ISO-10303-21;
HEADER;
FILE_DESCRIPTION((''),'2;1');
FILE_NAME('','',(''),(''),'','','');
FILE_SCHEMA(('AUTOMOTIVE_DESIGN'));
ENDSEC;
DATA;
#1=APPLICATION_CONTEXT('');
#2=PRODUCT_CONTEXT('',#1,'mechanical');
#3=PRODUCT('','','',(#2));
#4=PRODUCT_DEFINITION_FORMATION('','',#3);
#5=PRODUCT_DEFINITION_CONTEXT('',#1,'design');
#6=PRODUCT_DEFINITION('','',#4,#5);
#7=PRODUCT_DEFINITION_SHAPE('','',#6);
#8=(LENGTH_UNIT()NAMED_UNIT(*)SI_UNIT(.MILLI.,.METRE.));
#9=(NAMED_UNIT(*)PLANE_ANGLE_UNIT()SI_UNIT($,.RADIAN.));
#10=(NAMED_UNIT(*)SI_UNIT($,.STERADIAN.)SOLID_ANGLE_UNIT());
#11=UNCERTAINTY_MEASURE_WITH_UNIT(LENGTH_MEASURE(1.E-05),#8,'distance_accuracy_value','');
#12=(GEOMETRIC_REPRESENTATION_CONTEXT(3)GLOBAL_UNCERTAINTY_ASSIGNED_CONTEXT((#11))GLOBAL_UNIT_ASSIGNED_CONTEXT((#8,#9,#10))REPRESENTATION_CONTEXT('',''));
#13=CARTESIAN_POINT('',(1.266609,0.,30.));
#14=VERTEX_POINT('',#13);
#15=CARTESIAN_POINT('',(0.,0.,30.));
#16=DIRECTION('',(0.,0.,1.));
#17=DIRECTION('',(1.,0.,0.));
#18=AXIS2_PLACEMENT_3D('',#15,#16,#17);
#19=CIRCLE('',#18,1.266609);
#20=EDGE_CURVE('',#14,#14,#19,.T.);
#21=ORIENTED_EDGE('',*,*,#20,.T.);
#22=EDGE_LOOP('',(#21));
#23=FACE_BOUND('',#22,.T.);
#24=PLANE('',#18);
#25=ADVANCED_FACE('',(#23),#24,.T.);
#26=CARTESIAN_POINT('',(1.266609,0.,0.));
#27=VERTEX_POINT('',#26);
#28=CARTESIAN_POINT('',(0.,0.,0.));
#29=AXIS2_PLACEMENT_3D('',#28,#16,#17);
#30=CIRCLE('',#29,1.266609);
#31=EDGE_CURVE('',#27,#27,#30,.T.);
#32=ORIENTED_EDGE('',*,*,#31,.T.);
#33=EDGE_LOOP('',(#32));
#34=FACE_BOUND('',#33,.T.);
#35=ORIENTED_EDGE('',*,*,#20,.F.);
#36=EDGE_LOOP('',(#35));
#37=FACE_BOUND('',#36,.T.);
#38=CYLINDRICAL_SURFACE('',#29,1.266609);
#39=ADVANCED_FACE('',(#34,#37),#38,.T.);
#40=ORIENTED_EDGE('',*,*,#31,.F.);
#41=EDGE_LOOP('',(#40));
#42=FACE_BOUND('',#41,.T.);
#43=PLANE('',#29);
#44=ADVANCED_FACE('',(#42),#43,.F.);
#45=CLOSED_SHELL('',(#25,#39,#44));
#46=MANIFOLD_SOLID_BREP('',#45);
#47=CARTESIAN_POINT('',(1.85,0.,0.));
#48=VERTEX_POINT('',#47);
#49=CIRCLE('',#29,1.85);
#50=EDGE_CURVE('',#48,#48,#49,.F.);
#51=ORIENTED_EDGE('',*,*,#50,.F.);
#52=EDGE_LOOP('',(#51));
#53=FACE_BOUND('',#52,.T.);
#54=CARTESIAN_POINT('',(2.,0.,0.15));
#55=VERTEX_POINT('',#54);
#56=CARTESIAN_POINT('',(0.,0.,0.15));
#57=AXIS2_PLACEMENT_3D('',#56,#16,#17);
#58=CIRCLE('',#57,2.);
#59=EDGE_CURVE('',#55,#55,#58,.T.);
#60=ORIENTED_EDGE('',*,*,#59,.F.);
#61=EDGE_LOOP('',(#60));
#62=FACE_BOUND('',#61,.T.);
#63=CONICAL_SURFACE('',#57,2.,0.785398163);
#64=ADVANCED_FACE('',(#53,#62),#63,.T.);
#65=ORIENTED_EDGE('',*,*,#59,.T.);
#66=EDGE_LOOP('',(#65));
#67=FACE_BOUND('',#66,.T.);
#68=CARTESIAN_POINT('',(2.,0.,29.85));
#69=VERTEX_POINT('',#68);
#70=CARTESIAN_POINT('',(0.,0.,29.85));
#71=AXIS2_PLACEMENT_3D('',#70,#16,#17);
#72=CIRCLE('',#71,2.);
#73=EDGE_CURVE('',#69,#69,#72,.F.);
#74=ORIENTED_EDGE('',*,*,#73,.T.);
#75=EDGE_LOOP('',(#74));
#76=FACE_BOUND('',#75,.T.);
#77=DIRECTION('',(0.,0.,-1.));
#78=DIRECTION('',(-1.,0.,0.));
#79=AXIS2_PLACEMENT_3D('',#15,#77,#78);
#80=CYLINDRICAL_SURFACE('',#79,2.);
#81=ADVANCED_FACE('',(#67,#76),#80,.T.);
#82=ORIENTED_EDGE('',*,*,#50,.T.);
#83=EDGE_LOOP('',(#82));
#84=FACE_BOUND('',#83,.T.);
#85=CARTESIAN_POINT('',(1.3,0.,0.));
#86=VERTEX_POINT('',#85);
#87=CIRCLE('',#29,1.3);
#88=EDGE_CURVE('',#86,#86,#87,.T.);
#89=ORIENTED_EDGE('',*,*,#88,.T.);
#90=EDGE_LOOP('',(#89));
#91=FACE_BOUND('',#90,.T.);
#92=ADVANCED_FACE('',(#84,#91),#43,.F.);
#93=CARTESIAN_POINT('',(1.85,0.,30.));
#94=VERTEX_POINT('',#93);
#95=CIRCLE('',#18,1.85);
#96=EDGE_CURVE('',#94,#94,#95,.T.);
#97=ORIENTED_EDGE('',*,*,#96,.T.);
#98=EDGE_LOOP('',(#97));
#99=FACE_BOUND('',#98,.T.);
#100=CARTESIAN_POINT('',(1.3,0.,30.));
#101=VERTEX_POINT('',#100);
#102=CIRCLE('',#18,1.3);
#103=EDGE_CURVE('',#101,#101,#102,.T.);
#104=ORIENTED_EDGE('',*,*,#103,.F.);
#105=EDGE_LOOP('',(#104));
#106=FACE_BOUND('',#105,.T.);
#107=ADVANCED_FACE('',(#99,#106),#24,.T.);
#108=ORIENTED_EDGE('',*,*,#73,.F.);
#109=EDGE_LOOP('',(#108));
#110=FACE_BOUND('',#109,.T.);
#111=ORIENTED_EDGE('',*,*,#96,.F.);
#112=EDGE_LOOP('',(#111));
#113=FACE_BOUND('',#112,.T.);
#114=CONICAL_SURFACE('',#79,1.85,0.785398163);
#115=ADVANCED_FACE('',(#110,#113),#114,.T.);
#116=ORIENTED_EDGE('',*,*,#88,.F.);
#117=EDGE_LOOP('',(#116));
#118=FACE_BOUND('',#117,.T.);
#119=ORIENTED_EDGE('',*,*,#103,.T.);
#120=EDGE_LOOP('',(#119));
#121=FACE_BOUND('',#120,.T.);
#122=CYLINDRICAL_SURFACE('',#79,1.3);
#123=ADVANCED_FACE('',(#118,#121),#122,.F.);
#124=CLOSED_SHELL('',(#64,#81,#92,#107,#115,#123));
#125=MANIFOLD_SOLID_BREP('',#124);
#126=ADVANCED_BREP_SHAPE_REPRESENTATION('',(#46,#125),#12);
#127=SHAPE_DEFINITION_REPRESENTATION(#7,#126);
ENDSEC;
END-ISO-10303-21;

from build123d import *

# Parameters (mm, degrees)
SKETCH1_R           = 2
BOSS_EXTRUDE2_DEPTH = 30
SHELL1_T            = -0.7
END1_CHAMFER_SIZE   = 0.15
END2_CHAMFER_SIZE   = 0.15
SKETCH2_R           = 1.26660903
BOSS_EXTRUDE8_DEPTH = 30


with BuildPart() as part:
    # Sketch1 → Boss-Extrude2 (new body)
    with BuildSketch(Plane.XY):
        Circle(SKETCH1_R)
    extrude(amount=BOSS_EXTRUDE2_DEPTH)

    # Shell1
    shell1_openings = [part.faces().sort_by_distance(p)[0] for p in [
        (0, 0, 30),
        (0, 0, 0),
    ]]
    offset(amount=SHELL1_T, openings=shell1_openings, kind=Kind.INTERSECTION)

    # End1 Chamfer
    end1_chamfer_edges = [part.edges().sort_by_distance(p)[0] for p in [
        (-2, 0, 0),
    ]]
    chamfer(end1_chamfer_edges, length=END1_CHAMFER_SIZE)

    # End2 Chamfer
    end2_chamfer_edges = [part.edges().sort_by_distance(p)[0] for p in [
        (-2, 0, 30),
    ]]
    chamfer(end2_chamfer_edges, length=END2_CHAMFER_SIZE)


with BuildPart() as body_2:
    # Sketch2 → Boss-Extrude8 (new, through all)
    with BuildSketch(Plane.XY.offset(30)):
        Circle(SKETCH2_R)
    extrude(amount=-BOSS_EXTRUDE8_DEPTH)


solid = Compound([part.part, body_2.part])
